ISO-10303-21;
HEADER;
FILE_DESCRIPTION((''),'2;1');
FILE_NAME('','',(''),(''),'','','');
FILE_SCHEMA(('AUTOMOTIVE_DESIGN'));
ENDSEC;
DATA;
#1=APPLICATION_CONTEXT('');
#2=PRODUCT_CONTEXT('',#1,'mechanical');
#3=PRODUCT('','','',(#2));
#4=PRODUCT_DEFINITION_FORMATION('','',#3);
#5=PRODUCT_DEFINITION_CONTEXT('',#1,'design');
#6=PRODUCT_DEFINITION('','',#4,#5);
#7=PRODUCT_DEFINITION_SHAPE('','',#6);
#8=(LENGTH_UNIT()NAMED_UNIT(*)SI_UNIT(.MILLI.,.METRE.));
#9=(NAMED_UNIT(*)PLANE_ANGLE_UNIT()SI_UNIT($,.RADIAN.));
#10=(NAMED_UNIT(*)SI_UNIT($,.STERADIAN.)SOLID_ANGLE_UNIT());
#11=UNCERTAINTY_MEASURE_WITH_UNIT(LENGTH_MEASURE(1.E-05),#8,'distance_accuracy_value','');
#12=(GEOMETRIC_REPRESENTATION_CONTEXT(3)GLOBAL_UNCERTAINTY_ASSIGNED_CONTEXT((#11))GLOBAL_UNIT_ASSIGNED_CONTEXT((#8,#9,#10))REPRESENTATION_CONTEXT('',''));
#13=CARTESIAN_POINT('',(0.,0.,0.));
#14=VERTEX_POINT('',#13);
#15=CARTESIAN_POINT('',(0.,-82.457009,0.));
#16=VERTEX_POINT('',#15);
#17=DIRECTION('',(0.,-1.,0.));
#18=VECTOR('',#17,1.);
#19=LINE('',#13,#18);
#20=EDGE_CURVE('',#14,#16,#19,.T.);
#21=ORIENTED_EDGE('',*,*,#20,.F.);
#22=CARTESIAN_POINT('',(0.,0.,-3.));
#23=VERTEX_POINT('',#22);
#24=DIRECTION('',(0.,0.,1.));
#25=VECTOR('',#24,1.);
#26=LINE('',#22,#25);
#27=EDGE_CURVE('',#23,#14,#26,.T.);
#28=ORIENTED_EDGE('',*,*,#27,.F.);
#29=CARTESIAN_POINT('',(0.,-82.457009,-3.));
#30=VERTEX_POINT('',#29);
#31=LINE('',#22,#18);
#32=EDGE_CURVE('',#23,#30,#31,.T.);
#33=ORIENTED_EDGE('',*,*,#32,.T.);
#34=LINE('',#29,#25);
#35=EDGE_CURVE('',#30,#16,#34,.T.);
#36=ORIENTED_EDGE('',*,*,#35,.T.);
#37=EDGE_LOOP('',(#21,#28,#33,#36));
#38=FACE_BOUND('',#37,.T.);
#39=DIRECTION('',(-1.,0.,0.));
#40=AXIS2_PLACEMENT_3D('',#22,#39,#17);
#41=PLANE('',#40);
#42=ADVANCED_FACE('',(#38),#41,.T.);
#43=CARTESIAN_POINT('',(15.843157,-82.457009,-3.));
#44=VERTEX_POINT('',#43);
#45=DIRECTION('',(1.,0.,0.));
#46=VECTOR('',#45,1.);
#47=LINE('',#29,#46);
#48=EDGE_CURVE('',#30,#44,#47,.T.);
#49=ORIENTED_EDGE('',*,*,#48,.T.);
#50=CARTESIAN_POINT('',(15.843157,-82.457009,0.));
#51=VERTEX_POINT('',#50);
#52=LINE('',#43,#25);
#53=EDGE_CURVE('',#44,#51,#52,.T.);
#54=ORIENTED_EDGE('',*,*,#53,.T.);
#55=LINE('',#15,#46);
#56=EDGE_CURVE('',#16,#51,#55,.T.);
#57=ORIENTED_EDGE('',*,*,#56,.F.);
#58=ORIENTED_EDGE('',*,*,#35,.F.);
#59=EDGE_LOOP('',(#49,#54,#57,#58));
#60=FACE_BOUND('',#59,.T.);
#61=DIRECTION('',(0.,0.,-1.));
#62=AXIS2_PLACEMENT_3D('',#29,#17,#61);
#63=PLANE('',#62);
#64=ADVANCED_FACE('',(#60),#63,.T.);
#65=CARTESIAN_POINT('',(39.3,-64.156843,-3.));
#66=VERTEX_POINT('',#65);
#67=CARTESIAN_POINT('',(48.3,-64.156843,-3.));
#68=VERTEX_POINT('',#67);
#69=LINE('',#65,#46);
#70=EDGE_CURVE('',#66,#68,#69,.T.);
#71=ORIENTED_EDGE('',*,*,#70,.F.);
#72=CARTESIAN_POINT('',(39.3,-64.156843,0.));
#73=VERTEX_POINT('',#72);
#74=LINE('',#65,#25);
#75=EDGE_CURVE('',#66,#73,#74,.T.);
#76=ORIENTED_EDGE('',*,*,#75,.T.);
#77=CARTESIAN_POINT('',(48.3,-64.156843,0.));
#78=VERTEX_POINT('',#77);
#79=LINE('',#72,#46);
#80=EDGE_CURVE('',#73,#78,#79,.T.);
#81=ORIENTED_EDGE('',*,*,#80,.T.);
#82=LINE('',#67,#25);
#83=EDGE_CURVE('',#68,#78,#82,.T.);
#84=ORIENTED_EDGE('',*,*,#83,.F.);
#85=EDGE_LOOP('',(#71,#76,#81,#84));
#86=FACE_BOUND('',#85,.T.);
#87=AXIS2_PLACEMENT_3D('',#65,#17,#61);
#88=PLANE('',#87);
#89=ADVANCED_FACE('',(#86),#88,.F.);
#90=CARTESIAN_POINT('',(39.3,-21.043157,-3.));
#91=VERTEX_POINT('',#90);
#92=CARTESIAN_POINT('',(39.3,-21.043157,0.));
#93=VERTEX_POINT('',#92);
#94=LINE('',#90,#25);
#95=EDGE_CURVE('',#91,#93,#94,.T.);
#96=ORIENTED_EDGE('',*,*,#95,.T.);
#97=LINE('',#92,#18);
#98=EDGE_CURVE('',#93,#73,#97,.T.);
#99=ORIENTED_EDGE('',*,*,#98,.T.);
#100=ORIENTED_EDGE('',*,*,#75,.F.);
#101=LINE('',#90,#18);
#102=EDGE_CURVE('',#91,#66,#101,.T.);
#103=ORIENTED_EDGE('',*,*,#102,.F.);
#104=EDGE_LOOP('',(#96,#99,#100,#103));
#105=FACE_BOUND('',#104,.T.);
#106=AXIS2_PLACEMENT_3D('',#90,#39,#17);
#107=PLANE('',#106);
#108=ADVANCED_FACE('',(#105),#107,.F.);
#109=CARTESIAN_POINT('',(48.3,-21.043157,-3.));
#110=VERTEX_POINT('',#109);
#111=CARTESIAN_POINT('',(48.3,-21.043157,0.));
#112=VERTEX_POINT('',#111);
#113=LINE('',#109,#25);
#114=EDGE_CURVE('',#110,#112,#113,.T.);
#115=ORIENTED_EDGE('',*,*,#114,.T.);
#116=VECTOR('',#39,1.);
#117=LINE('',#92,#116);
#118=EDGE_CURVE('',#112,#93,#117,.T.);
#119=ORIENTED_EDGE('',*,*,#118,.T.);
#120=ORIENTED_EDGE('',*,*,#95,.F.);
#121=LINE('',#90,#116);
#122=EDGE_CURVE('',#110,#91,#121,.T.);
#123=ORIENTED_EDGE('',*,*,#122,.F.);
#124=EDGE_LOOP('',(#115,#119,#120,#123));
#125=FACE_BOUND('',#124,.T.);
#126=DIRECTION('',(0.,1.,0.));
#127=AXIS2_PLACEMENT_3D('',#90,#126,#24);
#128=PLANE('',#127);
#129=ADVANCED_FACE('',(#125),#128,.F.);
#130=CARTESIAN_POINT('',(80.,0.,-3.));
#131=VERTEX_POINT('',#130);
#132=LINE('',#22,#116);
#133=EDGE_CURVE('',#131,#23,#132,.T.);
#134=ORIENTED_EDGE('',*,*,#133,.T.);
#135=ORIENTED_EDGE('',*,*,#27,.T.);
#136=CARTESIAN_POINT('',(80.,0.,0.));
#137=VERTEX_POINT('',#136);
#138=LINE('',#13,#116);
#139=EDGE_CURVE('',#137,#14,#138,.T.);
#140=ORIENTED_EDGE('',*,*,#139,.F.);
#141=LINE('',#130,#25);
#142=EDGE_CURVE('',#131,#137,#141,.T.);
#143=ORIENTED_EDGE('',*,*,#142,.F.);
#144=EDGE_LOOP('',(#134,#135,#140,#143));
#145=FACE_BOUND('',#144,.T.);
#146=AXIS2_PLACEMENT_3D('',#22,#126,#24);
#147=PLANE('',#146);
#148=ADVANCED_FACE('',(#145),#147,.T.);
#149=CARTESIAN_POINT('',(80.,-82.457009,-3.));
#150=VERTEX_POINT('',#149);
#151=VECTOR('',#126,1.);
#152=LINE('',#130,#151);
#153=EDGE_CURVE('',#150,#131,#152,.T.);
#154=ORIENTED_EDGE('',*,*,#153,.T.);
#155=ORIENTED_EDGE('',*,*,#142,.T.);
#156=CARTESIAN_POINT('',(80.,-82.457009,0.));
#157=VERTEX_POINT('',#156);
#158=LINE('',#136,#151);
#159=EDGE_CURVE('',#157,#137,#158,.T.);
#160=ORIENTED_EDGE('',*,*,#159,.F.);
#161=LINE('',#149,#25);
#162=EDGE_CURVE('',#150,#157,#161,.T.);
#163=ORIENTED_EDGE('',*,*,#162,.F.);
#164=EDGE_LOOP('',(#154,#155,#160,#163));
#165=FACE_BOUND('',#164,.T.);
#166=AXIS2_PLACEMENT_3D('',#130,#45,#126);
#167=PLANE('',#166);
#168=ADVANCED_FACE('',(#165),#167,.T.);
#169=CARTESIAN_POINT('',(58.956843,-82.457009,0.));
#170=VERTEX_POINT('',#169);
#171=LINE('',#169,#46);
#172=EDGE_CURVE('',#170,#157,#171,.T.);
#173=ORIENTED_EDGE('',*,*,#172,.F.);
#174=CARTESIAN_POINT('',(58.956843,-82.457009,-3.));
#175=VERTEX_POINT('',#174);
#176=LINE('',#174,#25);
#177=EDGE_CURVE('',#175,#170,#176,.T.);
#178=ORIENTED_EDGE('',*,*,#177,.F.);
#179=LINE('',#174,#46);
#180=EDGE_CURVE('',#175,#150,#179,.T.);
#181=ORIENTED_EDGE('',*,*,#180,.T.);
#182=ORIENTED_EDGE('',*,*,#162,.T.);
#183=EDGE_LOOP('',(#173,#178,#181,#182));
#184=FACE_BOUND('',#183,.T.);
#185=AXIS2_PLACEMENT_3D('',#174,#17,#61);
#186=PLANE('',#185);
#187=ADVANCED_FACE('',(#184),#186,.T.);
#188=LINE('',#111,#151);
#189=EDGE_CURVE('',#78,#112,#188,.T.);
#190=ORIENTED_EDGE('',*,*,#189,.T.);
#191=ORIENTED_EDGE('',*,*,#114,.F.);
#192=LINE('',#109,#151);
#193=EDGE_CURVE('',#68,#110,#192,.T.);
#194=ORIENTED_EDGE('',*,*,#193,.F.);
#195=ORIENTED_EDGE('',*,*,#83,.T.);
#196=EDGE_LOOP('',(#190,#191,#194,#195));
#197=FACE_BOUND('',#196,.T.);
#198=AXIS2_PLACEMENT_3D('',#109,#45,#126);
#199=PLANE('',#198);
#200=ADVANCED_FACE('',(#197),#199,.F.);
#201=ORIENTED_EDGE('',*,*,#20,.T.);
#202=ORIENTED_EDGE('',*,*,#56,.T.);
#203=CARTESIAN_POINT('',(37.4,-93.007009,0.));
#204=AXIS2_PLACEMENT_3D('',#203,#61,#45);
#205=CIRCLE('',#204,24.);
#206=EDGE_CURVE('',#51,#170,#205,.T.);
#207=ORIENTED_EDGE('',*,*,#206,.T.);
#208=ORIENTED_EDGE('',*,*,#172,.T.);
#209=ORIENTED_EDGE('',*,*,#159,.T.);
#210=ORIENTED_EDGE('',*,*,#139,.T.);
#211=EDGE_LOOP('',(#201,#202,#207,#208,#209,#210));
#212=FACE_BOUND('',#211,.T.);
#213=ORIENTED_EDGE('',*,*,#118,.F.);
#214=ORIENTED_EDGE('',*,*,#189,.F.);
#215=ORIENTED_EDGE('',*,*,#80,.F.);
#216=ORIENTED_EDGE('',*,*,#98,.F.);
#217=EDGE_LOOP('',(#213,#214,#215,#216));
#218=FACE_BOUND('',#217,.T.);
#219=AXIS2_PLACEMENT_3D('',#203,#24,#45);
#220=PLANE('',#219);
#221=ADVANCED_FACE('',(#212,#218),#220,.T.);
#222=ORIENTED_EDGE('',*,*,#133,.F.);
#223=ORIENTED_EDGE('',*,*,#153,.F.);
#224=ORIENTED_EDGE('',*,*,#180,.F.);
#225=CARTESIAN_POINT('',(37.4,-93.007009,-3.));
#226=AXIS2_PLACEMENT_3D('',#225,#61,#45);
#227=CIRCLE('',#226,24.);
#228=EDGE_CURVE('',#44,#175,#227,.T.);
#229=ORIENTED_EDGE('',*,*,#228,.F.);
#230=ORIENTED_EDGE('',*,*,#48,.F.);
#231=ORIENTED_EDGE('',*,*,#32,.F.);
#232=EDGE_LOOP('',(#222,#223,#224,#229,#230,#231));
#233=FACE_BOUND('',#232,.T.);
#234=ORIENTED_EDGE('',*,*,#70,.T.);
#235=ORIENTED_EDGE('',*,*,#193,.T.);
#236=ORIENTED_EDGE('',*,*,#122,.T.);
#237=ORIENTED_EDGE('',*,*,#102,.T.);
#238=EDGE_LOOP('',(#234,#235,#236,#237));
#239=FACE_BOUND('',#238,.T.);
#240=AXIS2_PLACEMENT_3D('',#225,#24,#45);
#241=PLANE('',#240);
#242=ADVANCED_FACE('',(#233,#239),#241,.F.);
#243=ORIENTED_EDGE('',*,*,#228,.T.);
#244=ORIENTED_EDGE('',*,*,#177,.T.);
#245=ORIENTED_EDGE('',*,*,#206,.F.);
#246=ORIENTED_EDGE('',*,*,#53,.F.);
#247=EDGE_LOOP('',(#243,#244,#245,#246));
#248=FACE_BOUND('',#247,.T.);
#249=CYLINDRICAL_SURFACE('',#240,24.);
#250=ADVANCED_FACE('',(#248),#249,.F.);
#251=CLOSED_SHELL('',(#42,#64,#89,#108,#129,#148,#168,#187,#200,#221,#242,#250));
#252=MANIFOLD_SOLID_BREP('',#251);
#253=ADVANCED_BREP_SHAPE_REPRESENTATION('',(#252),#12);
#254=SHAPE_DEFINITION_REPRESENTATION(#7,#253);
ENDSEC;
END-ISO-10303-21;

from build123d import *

# Parameters (mm, degrees)
SKETCH1_W           = 9
SKETCH1_H           = 43.113686922
BOSS_EXTRUDE1_DEPTH = 3


with BuildPart() as part:
    # Sketch1 → Boss-Extrude1 (new body)
    with BuildSketch(Plane.XY):
        with BuildLine():
            Line((0, -82.457009142), (15.843156539, -82.457009142))
            ThreePointArc((15.843156539, -82.457009142), (37.4, -69.007009142), (58.956843461, -82.457009142))
            Line((58.956843461, -82.457009142), (80, -82.457009142))
            Line((80, -82.457009142), (80, 0))
            Line((80, 0), (0, 0))
            Line((0, 0), (0, -82.457009142))
        make_face()
        with Locations((43.8, -42.6)):
            Rectangle(SKETCH1_W, SKETCH1_H, mode=Mode.SUBTRACT)
    extrude(amount=-BOSS_EXTRUDE1_DEPTH)


solid = part.part
